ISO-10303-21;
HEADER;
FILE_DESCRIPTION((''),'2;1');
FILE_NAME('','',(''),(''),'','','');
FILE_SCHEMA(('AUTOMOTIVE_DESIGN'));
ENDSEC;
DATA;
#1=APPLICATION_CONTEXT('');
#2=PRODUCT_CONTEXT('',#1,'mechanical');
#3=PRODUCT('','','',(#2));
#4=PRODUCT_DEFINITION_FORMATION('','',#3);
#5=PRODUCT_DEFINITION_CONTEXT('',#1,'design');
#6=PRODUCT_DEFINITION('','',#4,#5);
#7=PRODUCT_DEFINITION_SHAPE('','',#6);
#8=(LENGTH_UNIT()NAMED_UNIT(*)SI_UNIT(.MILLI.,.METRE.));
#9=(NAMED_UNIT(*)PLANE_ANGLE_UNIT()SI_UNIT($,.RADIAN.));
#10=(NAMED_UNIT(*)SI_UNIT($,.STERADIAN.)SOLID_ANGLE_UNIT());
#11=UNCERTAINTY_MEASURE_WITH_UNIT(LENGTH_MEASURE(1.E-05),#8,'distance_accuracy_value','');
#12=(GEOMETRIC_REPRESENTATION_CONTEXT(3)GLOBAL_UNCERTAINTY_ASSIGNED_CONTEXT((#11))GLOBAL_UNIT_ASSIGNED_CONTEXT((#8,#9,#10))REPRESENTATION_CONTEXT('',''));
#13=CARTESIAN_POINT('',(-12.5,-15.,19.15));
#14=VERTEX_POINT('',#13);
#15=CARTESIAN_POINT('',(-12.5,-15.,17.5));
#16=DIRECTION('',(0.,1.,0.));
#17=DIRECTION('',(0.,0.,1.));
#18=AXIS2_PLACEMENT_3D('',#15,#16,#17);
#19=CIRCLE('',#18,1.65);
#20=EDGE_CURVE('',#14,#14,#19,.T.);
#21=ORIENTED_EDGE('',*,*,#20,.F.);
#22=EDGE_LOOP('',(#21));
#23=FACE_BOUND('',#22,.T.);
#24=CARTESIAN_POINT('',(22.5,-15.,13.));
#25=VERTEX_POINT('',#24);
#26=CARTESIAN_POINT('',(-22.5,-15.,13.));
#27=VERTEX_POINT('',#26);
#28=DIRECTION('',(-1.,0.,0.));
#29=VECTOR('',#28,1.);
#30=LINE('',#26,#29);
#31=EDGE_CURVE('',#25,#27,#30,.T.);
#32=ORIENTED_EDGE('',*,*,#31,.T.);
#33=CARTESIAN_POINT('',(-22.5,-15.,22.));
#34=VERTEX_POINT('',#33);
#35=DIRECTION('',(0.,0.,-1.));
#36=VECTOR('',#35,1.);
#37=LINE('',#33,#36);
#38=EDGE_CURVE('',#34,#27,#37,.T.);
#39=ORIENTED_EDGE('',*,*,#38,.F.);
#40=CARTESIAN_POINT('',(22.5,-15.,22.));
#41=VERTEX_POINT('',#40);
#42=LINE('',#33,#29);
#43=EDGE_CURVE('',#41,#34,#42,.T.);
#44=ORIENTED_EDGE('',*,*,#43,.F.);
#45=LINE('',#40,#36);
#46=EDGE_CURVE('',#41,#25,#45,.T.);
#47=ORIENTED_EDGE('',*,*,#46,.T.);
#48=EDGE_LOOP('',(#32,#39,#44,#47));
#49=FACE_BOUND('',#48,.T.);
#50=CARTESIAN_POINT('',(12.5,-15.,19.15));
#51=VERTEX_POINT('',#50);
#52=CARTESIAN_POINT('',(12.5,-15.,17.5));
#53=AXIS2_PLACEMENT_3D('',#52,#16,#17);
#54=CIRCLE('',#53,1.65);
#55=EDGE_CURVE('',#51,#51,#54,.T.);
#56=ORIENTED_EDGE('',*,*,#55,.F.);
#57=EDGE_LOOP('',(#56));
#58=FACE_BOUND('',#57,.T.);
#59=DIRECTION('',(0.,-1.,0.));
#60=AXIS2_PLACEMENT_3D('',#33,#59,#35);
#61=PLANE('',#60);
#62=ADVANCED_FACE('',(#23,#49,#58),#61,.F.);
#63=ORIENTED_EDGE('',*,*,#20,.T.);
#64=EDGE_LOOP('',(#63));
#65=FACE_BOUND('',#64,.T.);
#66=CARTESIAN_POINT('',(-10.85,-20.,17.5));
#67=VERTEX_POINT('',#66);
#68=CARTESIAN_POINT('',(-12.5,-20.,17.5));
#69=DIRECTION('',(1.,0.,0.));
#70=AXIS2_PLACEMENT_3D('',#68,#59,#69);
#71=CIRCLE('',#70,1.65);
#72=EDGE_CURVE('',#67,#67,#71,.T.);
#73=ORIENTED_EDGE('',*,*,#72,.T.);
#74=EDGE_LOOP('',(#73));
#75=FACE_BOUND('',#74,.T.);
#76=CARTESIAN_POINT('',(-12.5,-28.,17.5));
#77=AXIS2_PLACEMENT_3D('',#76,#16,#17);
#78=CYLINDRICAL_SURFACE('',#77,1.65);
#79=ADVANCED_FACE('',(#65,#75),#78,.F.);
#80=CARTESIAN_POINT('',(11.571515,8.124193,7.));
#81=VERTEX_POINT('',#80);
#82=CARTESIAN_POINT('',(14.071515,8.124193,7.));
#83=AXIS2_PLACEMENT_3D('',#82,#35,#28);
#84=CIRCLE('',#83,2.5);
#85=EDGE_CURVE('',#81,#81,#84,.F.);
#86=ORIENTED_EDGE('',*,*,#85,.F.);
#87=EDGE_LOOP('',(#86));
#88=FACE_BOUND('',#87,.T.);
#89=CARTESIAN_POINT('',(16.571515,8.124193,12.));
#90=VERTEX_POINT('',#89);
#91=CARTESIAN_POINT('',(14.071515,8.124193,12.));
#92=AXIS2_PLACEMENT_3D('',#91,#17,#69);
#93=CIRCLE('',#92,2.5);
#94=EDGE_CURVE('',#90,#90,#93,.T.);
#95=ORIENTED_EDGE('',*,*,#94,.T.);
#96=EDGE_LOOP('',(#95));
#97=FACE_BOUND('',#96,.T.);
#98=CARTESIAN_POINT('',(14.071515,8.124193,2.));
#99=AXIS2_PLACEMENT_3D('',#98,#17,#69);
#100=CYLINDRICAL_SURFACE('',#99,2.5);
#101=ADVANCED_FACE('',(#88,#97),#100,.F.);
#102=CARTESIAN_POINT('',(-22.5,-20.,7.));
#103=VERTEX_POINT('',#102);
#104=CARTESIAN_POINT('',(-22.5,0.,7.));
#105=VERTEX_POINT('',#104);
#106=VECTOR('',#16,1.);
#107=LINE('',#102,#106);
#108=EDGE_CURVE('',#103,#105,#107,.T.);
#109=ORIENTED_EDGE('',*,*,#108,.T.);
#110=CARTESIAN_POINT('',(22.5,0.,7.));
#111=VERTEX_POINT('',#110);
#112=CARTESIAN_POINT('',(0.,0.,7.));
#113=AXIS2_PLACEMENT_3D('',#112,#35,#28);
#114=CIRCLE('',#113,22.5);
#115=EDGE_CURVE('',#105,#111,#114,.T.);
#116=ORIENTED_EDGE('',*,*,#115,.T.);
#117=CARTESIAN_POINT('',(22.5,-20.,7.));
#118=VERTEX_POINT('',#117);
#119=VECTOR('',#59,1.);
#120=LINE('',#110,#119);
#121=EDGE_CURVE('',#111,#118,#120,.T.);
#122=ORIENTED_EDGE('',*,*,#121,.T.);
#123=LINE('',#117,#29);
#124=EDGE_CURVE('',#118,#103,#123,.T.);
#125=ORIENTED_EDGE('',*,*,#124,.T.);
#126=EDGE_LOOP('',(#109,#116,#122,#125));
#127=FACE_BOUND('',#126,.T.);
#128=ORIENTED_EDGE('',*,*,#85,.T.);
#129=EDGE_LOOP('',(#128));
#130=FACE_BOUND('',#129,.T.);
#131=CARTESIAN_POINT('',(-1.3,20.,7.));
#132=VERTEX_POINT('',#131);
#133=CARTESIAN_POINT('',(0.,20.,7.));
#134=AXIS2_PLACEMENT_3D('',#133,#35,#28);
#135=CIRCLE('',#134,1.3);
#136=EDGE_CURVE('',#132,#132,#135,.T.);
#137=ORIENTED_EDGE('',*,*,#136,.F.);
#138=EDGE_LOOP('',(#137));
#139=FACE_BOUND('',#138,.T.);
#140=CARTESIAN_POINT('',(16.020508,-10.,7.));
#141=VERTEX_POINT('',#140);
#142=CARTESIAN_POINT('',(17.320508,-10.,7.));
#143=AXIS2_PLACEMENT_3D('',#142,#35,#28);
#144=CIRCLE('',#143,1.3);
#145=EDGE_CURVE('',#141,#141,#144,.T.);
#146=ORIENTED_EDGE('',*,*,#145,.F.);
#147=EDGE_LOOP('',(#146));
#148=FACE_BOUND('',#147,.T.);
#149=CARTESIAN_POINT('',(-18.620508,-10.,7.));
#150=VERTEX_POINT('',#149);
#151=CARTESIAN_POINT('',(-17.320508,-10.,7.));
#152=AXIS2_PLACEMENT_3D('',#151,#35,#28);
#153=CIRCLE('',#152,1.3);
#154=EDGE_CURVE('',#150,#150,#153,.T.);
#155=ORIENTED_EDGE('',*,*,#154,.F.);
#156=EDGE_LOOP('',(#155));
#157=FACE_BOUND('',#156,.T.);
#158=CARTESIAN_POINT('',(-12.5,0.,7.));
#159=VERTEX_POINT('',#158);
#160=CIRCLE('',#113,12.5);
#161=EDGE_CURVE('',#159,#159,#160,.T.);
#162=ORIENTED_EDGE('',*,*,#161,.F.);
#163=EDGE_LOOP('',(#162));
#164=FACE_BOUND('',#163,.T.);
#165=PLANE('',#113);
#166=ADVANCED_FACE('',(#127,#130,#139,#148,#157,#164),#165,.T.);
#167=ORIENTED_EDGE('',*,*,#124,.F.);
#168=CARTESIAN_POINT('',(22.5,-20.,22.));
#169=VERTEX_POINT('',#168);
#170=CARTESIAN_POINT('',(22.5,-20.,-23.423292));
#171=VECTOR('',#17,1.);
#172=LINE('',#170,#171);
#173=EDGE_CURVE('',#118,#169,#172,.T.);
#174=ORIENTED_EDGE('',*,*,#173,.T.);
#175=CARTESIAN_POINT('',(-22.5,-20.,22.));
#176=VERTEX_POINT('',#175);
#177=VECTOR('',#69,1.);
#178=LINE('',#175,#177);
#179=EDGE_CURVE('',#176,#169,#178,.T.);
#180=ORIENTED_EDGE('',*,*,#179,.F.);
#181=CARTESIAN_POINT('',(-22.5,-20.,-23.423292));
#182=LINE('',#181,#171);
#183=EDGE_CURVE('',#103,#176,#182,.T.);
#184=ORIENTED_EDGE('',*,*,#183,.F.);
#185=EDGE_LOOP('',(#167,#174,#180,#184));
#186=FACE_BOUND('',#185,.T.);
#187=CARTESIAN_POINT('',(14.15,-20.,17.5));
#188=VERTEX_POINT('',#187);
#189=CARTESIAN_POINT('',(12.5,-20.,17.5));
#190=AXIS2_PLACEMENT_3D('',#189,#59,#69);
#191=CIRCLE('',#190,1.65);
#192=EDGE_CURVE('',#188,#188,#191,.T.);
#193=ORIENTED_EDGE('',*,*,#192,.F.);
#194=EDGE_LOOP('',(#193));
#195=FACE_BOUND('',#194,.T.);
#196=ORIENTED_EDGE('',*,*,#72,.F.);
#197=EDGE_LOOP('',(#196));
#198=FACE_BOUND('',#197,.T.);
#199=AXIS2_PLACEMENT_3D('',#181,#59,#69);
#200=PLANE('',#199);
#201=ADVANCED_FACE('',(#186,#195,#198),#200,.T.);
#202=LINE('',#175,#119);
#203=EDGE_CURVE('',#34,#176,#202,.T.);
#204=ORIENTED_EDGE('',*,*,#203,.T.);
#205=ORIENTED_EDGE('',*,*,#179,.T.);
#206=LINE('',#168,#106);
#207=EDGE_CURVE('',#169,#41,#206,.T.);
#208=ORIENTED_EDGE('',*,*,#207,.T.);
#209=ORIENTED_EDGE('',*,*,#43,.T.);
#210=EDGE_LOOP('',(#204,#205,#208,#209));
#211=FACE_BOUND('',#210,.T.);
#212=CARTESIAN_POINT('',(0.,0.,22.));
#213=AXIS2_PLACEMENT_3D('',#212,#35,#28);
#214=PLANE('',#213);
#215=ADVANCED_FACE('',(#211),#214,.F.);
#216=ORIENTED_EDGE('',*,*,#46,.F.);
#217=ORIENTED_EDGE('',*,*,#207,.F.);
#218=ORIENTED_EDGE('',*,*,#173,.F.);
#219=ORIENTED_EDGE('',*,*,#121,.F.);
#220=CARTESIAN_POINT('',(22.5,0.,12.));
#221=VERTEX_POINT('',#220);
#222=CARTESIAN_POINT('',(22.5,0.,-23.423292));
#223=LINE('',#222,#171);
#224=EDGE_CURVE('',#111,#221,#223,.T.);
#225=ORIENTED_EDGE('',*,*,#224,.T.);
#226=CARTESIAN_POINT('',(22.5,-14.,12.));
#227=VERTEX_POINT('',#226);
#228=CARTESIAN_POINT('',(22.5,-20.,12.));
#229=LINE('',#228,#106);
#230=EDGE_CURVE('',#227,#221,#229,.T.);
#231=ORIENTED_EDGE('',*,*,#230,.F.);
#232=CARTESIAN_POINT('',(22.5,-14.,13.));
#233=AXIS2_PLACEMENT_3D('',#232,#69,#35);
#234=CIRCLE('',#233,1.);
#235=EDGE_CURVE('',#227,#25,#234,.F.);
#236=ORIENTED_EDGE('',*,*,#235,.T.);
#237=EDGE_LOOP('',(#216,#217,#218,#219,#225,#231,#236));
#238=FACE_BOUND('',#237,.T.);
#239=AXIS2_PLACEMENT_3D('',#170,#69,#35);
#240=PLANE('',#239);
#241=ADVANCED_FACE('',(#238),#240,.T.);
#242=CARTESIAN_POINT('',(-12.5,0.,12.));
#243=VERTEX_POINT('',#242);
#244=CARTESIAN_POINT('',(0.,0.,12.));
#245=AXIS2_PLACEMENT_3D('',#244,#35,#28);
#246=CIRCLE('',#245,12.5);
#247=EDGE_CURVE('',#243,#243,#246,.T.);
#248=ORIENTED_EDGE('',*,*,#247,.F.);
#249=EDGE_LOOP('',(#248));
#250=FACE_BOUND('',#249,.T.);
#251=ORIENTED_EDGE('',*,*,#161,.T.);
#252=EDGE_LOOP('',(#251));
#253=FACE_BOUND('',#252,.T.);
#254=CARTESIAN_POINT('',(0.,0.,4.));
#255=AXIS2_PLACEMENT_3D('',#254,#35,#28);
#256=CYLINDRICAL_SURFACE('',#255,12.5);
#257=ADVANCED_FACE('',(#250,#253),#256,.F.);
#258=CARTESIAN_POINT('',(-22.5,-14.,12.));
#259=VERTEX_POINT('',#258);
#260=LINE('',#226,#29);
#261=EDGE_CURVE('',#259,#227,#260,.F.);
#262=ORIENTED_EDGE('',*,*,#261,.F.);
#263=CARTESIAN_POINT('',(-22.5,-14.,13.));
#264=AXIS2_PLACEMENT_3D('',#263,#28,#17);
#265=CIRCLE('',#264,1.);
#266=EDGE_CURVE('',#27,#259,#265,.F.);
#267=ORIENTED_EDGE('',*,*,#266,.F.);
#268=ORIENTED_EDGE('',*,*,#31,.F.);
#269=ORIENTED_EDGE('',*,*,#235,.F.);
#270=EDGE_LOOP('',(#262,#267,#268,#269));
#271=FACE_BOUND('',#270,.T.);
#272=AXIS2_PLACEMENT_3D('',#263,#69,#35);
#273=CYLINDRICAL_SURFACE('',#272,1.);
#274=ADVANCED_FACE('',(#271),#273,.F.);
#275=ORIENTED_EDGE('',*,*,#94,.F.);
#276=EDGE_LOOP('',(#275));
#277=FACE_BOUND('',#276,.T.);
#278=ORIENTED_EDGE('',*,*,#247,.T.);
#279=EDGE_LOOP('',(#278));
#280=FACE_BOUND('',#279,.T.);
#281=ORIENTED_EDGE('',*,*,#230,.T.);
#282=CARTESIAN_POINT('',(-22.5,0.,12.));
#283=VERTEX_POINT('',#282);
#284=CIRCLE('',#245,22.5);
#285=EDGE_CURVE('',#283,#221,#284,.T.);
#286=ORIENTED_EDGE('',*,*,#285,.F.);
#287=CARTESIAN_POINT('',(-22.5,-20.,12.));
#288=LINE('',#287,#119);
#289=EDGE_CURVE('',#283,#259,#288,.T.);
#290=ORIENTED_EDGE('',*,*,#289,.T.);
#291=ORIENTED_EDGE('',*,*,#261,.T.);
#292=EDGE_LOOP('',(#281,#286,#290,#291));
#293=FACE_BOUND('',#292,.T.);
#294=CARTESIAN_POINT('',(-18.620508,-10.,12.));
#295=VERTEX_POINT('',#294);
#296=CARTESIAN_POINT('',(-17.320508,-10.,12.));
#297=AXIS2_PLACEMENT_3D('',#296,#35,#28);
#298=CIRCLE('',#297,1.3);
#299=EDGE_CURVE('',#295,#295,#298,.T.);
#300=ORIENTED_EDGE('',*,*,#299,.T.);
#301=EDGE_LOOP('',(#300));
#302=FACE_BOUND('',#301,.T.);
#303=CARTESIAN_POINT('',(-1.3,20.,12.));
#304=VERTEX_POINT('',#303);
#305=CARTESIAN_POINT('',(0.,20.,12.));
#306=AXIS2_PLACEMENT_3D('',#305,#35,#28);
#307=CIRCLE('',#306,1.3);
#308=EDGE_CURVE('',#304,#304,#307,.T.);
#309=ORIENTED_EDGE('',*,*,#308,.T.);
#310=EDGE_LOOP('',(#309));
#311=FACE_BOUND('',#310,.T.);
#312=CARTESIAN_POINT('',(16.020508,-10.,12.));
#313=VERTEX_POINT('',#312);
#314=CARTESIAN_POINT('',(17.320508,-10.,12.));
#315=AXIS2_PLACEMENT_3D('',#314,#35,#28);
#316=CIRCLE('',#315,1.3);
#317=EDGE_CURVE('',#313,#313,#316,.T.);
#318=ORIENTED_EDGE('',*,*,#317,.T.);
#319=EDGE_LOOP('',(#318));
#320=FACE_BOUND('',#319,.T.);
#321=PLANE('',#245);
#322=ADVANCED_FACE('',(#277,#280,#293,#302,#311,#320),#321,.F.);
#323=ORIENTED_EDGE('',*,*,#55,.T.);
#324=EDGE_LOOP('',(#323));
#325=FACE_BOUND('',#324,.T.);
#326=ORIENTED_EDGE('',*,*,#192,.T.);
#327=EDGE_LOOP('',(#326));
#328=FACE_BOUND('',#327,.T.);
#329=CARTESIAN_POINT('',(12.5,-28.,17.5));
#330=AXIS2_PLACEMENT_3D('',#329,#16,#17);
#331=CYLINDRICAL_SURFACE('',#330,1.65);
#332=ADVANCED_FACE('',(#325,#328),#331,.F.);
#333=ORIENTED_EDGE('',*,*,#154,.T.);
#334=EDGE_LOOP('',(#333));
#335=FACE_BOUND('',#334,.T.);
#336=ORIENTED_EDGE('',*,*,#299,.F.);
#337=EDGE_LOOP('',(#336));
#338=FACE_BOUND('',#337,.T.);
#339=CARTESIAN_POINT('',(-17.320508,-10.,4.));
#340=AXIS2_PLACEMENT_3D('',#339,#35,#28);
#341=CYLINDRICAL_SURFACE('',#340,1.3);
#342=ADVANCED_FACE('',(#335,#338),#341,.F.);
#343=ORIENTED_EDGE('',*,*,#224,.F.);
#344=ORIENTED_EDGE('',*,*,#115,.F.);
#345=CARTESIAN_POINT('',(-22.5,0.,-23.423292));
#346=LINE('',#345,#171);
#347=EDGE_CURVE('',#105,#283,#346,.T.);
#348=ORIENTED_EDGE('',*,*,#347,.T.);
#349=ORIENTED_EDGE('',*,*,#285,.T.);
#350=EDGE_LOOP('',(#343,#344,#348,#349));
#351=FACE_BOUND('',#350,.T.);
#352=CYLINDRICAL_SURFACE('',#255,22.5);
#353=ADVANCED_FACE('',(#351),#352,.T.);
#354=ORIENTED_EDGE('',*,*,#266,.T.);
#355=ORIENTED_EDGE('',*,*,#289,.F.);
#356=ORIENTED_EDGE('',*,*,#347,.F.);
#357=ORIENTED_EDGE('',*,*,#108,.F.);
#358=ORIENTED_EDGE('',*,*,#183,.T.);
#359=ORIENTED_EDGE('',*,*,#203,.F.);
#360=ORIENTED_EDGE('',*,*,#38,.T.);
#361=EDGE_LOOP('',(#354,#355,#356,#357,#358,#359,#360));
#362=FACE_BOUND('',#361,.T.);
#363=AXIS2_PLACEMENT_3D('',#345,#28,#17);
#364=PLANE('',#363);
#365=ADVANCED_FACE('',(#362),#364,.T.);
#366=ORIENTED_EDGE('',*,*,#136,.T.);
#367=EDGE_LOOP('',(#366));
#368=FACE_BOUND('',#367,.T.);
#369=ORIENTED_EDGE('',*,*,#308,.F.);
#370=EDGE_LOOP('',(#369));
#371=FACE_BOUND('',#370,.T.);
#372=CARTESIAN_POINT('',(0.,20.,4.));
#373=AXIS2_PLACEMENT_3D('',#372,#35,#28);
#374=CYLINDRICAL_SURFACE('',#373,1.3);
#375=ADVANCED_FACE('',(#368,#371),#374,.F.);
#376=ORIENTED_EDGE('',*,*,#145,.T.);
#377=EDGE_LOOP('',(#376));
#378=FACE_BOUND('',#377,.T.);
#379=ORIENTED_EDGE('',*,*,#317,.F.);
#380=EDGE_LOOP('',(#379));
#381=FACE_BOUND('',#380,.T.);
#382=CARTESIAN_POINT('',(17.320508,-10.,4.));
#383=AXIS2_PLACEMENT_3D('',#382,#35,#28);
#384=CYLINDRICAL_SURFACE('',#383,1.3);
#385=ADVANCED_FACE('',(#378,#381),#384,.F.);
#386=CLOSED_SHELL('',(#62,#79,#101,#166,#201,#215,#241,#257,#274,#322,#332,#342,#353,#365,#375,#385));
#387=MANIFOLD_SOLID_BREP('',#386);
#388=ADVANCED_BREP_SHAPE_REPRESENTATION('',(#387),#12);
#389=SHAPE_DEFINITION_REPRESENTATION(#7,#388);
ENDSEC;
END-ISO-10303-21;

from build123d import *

# Parameters (mm, degrees)
SKETCH_1_R          = 22.5
SKETCH_1_R_2        = 12.5
SKETCH_1_R_3        = 1.3
EXTRUDE_1_DEPTH     = 4
EXTRUDE_START       = -4
EXTRUDE_2_DEPTH     = 4
SKETCH_3_W          = 45
SKETCH_3_H          = 5
EXTRUDE_3_DEPTH     = 8
CUT_EXTRUDE_START   = -10
CUT_EXTRUDE_2_DEPTH = 10
SKETCH_6_R          = 1.3
SKETCH_6_R_2        = 12.5
EXTRUDE_4_DEPTH     = 8
CUT_EXTRUDE_3_DEPTH = 4
SKETCH_8_R          = 2.5
CUT_EXTRUDE_4_DEPTH = 10
SKETCH_9_W          = 45
SKETCH_9_H          = 5
EXTRUDE_5_DEPTH     = 10
FILLET_1_R          = 1
CUT_EXTRUDE_5_DEPTH = 3
SKETCH_11_R         = 1.65
CUT_EXTRUDE_6_DEPTH = 13


with BuildPart() as part:
    # 草图1 → 凸台-拉伸1 (new body)
    with BuildSketch(Plane.XY):
        Circle(SKETCH_1_R)
        Circle(SKETCH_1_R_2, mode=Mode.SUBTRACT)
        with Locations((0, 20)):
            Circle(SKETCH_1_R_3, mode=Mode.SUBTRACT)
        with Locations((-17.320508076, -10)):
            Circle(SKETCH_1_R_3, mode=Mode.SUBTRACT)
        with Locations((17.320508076, -10)):
            Circle(SKETCH_1_R_3, mode=Mode.SUBTRACT)
    extrude(amount=EXTRUDE_1_DEPTH)

    # 草图2 → 凸台-拉伸2 (add)
    with BuildSketch(Plane.XY.offset(4).offset(EXTRUDE_START)):
        with BuildLine():
            Line((-22.5, 0), (-22.5, -20))
            Line((-22.5, -20), (-10.307764064, -20))
            ThreePointArc((-10.307764064, -20), (-19.211646096, -11.711646096), (-22.5, 0))
        make_face()
        with BuildLine():
            Line((22.5, -20), (22.5, 0))
            ThreePointArc((22.5, 0), (19.211646096, -11.711646096), (10.307764064, -20))
            Line((10.307764064, -20), (22.5, -20))
        make_face()
    extrude(amount=EXTRUDE_2_DEPTH)

    # 草图3 → 凸台-拉伸3 (add)
    with BuildSketch(Plane.XY.offset(4)):
        with Locations((0, -17.5)):
            Rectangle(SKETCH_3_W, SKETCH_3_H)
    extrude(amount=EXTRUDE_3_DEPTH)

    # 草图5 → 切除-拉伸2 (cut)
    with BuildSketch(Plane.XY.offset(4).offset(CUT_EXTRUDE_START)):
        with BuildLine():
            Line((10.307764064, -20), (-10.307764064, -20))
            ThreePointArc((-10.307764064, -20), (0, -22.5), (10.307764064, -20))
        make_face()
    extrude(amount=CUT_EXTRUDE_2_DEPTH, mode=Mode.SUBTRACT)

    # 草图6 → 凸台-拉伸4 (add)
    with BuildSketch(Plane.XY.offset(4)):
        with BuildLine():
            Line((-22.5, -15), (22.5, -15))
            Line((22.5, -15), (22.5, 0))
            ThreePointArc((22.5, 0), (0, 22.5), (-22.5, 0))
            Line((-22.5, 0), (-22.5, -15))
        make_face()
        with Locations(Location((17.320508076, -10, 0), (0, 0, 180))):
            Circle(SKETCH_6_R, mode=Mode.SUBTRACT)
        with Locations(Location((-17.320508076, -10, 0), (0, 0, 180))):
            Circle(SKETCH_6_R, mode=Mode.SUBTRACT)
        with Locations(Location((0, 20, 0), (0, 0, 180))):
            Circle(SKETCH_6_R, mode=Mode.SUBTRACT)
        with Locations(Location((0, 0, 0), (0, 0, 180))):
            Circle(SKETCH_6_R_2, mode=Mode.SUBTRACT)
    extrude(amount=EXTRUDE_4_DEPTH)

    # 草图7 → 切除-拉伸3 (cut)
    with BuildSketch(Plane(origin=(0, 0, 0), x_dir=(-1, 0, 0), z_dir=(0, 0, -1))):
        with BuildLine():
            Line((-22.5, 0), (-22.5, -20))
            Line((-22.5, -20), (22.5, -20))
            Line((22.5, -20), (22.5, 0))
            ThreePointArc((22.5, 0), (0, 22.5), (-22.5, 0))
        make_face()
    extrude(amount=-CUT_EXTRUDE_3_DEPTH, mode=Mode.SUBTRACT)

    # 草图8 → 切除-拉伸4 (cut)
    with BuildSketch(Plane.XY.offset(12)):
        with Locations((14.071515431, 8.124193222)):
            Circle(SKETCH_8_R)
    extrude(amount=-CUT_EXTRUDE_4_DEPTH, mode=Mode.SUBTRACT)

    # 草图9 → 凸台-拉伸5 (add)
    with BuildSketch(Plane.XY.offset(12)):
        with Locations((0, -17.5)):
            Rectangle(SKETCH_9_W, SKETCH_9_H)
    extrude(amount=EXTRUDE_5_DEPTH)

    # 圆角1
    fillet_1_edges = [part.edges().sort_by_distance(p)[0] for p in [
        (0, -15, 12),
    ]]
    fillet(fillet_1_edges, radius=FILLET_1_R)

    # 草图10 → 切除-拉伸5 (cut)
    with BuildSketch(Plane(origin=(0, 0, 4), x_dir=(-1, 0, 0), z_dir=(0, 0, -1))):
        with BuildLine():
            Line((-22.5, 0), (-22.5, -20))
            Line((-22.5, -20), (22.5, -20))
            Line((22.5, -20), (22.5, 0))
            ThreePointArc((22.5, 0), (0, 22.5), (-22.5, 0))
        make_face()
    extrude(amount=-CUT_EXTRUDE_5_DEPTH, mode=Mode.SUBTRACT)

    # 草图11 → 切除-拉伸6 (cut)
    with BuildSketch(Plane(origin=(0, -15, 0), x_dir=(1, 0, 0), z_dir=(0, 1, 0))):
        with Locations(Location((-12.5, -17.5, 0), (0, 0, 270))):
            Circle(SKETCH_11_R)
        with Locations(Location((12.5, -17.5, 0), (0, 0, 270))):
            Circle(SKETCH_11_R)
    extrude(amount=-CUT_EXTRUDE_6_DEPTH, mode=Mode.SUBTRACT)


solid = part.part
